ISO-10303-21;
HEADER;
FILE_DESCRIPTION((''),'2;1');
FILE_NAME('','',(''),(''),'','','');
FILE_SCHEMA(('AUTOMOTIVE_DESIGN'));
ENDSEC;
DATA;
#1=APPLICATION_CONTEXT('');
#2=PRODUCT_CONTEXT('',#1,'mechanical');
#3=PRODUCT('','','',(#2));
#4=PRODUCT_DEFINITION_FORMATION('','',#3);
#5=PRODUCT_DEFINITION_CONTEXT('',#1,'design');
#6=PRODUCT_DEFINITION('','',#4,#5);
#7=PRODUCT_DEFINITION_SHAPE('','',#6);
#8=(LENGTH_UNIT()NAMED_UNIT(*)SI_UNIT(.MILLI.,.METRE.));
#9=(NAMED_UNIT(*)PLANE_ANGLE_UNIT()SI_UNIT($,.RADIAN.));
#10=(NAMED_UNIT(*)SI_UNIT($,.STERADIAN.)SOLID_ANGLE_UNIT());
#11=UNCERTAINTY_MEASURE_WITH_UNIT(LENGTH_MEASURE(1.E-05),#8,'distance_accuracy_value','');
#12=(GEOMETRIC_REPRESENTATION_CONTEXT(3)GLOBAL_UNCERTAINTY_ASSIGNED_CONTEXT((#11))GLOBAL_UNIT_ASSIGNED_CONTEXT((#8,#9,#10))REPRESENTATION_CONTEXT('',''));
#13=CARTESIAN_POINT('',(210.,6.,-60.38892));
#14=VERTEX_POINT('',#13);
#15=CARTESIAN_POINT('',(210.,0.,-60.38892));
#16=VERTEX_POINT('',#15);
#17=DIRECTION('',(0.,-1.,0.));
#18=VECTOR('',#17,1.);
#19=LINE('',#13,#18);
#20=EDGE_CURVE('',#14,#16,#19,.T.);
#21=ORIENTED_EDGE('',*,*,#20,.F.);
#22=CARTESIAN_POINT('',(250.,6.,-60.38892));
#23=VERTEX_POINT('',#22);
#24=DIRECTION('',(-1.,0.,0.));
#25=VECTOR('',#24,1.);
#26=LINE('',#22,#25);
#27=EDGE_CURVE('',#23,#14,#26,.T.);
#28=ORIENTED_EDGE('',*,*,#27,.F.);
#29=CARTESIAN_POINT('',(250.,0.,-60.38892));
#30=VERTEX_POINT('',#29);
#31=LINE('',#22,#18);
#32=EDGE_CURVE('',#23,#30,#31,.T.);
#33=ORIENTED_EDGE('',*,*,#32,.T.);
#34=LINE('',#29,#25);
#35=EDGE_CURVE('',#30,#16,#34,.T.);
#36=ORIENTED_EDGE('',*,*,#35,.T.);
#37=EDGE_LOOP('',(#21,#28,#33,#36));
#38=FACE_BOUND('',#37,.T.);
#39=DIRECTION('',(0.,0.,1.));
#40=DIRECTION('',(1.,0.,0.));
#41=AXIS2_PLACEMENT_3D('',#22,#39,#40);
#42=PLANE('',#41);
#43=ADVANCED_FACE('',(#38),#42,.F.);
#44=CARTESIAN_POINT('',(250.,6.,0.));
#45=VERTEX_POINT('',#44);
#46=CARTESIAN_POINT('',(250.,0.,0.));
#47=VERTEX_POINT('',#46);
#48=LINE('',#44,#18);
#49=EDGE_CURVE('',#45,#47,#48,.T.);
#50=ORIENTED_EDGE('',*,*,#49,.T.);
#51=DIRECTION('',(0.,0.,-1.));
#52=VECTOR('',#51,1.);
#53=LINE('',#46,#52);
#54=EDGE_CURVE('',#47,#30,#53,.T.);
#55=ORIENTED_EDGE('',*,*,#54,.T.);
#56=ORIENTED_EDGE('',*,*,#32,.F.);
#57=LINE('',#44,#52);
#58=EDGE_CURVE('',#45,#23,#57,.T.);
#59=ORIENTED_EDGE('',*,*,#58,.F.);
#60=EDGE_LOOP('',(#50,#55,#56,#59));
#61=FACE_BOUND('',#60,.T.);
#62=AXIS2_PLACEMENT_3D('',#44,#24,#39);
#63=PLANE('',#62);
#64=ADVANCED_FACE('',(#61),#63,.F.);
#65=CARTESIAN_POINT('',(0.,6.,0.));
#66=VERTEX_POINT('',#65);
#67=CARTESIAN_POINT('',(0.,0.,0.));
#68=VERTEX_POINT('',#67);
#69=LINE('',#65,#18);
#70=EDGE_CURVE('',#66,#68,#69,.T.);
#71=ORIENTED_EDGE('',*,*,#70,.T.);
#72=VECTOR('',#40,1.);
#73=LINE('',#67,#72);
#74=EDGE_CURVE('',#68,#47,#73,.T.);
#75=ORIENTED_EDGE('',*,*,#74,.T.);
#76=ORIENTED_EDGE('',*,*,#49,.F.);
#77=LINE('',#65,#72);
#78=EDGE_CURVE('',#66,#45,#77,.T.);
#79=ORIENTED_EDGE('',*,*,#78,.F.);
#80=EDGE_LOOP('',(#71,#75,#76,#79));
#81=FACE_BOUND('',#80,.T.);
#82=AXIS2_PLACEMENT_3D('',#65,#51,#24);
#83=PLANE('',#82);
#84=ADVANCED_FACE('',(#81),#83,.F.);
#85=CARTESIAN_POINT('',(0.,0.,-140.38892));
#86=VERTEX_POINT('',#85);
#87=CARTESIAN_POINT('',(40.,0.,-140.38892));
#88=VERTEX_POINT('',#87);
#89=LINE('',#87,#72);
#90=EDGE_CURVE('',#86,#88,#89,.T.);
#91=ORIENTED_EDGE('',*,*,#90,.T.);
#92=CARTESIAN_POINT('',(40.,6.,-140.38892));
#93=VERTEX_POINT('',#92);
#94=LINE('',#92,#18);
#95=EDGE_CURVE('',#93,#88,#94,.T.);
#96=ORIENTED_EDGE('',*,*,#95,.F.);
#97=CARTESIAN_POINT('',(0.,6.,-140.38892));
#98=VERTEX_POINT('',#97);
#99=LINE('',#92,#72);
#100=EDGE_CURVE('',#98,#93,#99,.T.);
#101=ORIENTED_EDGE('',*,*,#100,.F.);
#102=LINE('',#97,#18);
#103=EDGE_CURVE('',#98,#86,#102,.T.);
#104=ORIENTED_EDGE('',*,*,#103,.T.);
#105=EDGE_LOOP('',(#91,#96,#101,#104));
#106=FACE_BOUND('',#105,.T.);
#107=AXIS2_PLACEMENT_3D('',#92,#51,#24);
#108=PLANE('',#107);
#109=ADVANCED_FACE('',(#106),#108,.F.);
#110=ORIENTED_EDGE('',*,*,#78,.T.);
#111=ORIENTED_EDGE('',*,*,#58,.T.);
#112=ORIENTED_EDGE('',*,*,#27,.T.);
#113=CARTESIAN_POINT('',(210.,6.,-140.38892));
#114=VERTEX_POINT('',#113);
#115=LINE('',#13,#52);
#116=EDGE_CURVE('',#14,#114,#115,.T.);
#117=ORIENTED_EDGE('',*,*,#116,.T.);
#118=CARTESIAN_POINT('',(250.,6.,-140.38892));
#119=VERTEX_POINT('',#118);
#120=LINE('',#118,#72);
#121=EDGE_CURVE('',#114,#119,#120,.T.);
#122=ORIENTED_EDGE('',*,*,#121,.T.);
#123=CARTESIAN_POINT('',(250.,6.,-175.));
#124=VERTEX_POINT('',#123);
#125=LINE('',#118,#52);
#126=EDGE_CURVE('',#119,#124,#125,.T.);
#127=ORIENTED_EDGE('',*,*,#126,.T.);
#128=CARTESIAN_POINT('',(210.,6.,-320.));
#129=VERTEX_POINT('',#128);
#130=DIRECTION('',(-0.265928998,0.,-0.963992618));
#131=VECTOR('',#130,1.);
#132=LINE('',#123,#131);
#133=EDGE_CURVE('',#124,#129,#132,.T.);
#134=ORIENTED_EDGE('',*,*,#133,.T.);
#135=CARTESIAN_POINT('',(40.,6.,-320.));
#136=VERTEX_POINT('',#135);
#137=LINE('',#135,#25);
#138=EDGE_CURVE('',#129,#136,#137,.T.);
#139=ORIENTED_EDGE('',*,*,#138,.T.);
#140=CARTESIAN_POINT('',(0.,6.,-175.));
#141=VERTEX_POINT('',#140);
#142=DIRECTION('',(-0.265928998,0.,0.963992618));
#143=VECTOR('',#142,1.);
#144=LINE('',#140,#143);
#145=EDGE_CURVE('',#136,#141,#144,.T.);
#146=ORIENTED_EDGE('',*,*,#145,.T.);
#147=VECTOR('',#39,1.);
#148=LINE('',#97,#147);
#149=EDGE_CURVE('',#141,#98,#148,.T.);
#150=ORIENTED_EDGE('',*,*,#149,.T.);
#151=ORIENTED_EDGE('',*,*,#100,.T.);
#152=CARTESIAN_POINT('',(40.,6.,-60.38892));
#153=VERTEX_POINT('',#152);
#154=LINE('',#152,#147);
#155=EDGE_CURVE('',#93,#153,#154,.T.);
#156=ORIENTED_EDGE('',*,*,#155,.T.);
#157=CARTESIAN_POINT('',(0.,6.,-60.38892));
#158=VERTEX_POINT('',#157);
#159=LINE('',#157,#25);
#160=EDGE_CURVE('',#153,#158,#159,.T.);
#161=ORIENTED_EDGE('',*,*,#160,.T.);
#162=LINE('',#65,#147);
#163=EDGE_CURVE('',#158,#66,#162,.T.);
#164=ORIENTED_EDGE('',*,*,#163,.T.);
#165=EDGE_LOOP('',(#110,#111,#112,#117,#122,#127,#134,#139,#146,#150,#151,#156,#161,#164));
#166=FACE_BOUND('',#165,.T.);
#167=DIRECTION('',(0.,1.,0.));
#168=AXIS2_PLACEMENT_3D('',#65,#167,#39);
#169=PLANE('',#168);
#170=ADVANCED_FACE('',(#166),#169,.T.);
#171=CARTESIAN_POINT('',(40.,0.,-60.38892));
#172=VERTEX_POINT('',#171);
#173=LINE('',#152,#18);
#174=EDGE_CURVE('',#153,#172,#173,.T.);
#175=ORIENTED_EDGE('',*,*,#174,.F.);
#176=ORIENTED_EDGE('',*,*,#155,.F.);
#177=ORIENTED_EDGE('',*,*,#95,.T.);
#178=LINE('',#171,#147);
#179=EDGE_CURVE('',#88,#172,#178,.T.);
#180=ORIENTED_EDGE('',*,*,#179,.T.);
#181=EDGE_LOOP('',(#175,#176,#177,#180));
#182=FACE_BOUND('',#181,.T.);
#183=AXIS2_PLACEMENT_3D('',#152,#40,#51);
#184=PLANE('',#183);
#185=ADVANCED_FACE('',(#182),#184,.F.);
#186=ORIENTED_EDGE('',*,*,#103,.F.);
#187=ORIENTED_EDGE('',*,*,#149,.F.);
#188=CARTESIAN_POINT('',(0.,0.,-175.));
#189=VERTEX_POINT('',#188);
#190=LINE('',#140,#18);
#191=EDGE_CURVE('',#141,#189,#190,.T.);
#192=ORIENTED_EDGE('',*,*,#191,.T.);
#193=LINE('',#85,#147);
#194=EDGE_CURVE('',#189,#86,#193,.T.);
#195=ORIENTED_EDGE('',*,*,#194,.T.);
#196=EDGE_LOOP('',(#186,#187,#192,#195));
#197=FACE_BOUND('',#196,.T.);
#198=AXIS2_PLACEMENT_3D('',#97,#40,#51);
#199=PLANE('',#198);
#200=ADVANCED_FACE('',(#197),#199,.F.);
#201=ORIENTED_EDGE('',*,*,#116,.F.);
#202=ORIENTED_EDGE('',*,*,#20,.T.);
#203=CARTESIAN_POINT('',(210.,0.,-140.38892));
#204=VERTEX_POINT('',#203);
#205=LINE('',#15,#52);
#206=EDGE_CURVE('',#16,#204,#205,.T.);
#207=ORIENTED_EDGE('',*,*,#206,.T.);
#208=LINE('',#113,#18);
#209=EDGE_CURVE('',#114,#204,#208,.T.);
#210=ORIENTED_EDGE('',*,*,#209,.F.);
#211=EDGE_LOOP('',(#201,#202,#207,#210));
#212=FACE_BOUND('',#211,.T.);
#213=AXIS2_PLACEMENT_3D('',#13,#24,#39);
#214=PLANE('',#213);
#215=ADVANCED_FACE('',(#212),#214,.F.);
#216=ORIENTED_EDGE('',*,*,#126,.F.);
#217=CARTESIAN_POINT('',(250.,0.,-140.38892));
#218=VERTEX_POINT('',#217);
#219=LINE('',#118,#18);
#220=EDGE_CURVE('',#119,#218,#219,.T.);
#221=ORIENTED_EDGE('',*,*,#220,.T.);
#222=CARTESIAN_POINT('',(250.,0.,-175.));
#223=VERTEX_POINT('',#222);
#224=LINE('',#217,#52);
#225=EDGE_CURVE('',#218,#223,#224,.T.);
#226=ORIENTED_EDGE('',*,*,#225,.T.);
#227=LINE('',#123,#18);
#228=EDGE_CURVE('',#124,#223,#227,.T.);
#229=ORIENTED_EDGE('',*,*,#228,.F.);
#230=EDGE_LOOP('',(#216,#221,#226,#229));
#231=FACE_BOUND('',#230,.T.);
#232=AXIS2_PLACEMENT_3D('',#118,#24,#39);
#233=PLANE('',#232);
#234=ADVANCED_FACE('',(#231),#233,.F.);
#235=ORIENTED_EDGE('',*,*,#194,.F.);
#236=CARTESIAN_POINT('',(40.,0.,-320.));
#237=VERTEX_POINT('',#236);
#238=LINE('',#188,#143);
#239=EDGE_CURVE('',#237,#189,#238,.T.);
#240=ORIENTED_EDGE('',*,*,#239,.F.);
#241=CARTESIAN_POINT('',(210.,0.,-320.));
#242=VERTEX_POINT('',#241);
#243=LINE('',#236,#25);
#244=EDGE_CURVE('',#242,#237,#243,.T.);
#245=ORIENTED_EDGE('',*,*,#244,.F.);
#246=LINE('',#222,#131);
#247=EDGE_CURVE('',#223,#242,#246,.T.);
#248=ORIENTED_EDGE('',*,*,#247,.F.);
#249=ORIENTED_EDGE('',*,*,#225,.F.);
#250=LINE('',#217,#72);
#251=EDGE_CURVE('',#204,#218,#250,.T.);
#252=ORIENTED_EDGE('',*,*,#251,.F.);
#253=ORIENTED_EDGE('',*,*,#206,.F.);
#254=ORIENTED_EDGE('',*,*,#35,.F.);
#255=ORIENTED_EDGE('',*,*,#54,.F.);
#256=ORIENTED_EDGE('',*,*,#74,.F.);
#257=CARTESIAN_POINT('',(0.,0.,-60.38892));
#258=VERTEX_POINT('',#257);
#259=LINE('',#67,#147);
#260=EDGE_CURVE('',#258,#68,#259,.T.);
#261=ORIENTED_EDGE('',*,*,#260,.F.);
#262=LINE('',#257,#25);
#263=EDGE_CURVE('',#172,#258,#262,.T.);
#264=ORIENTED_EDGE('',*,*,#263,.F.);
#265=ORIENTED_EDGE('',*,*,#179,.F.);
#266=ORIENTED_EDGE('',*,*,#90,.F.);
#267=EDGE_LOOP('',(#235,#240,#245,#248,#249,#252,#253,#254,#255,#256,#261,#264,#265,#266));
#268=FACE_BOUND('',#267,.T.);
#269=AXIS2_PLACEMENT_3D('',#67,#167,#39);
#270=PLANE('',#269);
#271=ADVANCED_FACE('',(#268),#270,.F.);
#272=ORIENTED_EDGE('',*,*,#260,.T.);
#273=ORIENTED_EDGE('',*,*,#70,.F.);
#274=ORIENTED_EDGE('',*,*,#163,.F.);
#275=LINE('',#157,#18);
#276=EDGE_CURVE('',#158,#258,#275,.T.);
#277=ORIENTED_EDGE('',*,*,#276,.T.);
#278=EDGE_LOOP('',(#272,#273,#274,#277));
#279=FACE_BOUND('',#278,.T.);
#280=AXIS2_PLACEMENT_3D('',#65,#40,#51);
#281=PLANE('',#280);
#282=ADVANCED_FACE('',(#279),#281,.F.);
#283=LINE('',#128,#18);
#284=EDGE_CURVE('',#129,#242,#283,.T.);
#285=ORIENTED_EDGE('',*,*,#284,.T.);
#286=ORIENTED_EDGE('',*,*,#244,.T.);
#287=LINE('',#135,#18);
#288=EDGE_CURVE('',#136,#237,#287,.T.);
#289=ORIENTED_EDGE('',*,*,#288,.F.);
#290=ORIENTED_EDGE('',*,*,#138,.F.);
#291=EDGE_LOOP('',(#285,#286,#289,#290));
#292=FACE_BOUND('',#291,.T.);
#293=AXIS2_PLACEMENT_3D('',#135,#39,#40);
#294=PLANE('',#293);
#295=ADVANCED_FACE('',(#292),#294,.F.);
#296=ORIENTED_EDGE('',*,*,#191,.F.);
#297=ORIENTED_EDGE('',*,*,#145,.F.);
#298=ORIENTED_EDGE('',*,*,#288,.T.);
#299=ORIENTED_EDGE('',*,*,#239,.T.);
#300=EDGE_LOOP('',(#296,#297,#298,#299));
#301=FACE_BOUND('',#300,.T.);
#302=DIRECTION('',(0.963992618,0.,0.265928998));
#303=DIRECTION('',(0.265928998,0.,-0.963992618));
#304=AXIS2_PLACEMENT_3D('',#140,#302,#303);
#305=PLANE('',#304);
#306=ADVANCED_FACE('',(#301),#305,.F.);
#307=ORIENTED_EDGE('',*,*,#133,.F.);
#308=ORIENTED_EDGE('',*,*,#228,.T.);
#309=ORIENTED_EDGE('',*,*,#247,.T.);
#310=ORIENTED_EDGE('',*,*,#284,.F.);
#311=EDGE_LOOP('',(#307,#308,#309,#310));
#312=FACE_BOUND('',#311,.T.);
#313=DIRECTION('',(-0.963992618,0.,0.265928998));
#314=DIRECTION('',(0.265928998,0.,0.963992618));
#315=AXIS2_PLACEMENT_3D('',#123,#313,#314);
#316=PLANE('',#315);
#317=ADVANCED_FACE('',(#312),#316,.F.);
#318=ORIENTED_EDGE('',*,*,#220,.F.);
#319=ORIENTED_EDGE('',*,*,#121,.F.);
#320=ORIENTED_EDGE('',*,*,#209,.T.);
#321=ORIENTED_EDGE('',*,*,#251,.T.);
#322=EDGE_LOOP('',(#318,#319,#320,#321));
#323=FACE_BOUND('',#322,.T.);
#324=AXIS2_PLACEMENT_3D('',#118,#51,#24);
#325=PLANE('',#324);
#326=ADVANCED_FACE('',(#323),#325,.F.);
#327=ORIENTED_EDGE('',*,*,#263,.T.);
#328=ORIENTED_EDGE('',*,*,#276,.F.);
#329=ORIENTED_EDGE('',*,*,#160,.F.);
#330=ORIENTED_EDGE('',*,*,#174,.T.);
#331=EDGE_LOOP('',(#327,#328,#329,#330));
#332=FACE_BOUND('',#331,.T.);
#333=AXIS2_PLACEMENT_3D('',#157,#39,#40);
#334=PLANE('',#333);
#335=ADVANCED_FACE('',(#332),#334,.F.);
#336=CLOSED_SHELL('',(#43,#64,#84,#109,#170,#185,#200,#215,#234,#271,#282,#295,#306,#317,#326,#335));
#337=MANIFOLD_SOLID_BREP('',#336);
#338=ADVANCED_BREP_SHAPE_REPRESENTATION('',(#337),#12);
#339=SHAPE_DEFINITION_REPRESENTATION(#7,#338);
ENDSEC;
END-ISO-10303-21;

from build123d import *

# Parameters (mm, degrees)
BOSS_EXTRUDE1_DEPTH = 6


with BuildPart() as part:
    # Sketch1 → Boss-Extrude1 (new body)
    with BuildSketch(Plane(origin=(0, 0, 0), x_dir=(1, 0, 0), z_dir=(0, 1, 0))):
        Polygon((0, 0), (0, 60.388920467), (40, 60.388920467), (40, 140.388920467), (0, 140.388920467), (0, 175), (40, 320), (210, 320), (250, 175), (250, 140.388920467), (210, 140.388920467), (210, 60.388920467), (250, 60.388920467), (250, 0), align=None)
    extrude(amount=BOSS_EXTRUDE1_DEPTH)


solid = part.part
